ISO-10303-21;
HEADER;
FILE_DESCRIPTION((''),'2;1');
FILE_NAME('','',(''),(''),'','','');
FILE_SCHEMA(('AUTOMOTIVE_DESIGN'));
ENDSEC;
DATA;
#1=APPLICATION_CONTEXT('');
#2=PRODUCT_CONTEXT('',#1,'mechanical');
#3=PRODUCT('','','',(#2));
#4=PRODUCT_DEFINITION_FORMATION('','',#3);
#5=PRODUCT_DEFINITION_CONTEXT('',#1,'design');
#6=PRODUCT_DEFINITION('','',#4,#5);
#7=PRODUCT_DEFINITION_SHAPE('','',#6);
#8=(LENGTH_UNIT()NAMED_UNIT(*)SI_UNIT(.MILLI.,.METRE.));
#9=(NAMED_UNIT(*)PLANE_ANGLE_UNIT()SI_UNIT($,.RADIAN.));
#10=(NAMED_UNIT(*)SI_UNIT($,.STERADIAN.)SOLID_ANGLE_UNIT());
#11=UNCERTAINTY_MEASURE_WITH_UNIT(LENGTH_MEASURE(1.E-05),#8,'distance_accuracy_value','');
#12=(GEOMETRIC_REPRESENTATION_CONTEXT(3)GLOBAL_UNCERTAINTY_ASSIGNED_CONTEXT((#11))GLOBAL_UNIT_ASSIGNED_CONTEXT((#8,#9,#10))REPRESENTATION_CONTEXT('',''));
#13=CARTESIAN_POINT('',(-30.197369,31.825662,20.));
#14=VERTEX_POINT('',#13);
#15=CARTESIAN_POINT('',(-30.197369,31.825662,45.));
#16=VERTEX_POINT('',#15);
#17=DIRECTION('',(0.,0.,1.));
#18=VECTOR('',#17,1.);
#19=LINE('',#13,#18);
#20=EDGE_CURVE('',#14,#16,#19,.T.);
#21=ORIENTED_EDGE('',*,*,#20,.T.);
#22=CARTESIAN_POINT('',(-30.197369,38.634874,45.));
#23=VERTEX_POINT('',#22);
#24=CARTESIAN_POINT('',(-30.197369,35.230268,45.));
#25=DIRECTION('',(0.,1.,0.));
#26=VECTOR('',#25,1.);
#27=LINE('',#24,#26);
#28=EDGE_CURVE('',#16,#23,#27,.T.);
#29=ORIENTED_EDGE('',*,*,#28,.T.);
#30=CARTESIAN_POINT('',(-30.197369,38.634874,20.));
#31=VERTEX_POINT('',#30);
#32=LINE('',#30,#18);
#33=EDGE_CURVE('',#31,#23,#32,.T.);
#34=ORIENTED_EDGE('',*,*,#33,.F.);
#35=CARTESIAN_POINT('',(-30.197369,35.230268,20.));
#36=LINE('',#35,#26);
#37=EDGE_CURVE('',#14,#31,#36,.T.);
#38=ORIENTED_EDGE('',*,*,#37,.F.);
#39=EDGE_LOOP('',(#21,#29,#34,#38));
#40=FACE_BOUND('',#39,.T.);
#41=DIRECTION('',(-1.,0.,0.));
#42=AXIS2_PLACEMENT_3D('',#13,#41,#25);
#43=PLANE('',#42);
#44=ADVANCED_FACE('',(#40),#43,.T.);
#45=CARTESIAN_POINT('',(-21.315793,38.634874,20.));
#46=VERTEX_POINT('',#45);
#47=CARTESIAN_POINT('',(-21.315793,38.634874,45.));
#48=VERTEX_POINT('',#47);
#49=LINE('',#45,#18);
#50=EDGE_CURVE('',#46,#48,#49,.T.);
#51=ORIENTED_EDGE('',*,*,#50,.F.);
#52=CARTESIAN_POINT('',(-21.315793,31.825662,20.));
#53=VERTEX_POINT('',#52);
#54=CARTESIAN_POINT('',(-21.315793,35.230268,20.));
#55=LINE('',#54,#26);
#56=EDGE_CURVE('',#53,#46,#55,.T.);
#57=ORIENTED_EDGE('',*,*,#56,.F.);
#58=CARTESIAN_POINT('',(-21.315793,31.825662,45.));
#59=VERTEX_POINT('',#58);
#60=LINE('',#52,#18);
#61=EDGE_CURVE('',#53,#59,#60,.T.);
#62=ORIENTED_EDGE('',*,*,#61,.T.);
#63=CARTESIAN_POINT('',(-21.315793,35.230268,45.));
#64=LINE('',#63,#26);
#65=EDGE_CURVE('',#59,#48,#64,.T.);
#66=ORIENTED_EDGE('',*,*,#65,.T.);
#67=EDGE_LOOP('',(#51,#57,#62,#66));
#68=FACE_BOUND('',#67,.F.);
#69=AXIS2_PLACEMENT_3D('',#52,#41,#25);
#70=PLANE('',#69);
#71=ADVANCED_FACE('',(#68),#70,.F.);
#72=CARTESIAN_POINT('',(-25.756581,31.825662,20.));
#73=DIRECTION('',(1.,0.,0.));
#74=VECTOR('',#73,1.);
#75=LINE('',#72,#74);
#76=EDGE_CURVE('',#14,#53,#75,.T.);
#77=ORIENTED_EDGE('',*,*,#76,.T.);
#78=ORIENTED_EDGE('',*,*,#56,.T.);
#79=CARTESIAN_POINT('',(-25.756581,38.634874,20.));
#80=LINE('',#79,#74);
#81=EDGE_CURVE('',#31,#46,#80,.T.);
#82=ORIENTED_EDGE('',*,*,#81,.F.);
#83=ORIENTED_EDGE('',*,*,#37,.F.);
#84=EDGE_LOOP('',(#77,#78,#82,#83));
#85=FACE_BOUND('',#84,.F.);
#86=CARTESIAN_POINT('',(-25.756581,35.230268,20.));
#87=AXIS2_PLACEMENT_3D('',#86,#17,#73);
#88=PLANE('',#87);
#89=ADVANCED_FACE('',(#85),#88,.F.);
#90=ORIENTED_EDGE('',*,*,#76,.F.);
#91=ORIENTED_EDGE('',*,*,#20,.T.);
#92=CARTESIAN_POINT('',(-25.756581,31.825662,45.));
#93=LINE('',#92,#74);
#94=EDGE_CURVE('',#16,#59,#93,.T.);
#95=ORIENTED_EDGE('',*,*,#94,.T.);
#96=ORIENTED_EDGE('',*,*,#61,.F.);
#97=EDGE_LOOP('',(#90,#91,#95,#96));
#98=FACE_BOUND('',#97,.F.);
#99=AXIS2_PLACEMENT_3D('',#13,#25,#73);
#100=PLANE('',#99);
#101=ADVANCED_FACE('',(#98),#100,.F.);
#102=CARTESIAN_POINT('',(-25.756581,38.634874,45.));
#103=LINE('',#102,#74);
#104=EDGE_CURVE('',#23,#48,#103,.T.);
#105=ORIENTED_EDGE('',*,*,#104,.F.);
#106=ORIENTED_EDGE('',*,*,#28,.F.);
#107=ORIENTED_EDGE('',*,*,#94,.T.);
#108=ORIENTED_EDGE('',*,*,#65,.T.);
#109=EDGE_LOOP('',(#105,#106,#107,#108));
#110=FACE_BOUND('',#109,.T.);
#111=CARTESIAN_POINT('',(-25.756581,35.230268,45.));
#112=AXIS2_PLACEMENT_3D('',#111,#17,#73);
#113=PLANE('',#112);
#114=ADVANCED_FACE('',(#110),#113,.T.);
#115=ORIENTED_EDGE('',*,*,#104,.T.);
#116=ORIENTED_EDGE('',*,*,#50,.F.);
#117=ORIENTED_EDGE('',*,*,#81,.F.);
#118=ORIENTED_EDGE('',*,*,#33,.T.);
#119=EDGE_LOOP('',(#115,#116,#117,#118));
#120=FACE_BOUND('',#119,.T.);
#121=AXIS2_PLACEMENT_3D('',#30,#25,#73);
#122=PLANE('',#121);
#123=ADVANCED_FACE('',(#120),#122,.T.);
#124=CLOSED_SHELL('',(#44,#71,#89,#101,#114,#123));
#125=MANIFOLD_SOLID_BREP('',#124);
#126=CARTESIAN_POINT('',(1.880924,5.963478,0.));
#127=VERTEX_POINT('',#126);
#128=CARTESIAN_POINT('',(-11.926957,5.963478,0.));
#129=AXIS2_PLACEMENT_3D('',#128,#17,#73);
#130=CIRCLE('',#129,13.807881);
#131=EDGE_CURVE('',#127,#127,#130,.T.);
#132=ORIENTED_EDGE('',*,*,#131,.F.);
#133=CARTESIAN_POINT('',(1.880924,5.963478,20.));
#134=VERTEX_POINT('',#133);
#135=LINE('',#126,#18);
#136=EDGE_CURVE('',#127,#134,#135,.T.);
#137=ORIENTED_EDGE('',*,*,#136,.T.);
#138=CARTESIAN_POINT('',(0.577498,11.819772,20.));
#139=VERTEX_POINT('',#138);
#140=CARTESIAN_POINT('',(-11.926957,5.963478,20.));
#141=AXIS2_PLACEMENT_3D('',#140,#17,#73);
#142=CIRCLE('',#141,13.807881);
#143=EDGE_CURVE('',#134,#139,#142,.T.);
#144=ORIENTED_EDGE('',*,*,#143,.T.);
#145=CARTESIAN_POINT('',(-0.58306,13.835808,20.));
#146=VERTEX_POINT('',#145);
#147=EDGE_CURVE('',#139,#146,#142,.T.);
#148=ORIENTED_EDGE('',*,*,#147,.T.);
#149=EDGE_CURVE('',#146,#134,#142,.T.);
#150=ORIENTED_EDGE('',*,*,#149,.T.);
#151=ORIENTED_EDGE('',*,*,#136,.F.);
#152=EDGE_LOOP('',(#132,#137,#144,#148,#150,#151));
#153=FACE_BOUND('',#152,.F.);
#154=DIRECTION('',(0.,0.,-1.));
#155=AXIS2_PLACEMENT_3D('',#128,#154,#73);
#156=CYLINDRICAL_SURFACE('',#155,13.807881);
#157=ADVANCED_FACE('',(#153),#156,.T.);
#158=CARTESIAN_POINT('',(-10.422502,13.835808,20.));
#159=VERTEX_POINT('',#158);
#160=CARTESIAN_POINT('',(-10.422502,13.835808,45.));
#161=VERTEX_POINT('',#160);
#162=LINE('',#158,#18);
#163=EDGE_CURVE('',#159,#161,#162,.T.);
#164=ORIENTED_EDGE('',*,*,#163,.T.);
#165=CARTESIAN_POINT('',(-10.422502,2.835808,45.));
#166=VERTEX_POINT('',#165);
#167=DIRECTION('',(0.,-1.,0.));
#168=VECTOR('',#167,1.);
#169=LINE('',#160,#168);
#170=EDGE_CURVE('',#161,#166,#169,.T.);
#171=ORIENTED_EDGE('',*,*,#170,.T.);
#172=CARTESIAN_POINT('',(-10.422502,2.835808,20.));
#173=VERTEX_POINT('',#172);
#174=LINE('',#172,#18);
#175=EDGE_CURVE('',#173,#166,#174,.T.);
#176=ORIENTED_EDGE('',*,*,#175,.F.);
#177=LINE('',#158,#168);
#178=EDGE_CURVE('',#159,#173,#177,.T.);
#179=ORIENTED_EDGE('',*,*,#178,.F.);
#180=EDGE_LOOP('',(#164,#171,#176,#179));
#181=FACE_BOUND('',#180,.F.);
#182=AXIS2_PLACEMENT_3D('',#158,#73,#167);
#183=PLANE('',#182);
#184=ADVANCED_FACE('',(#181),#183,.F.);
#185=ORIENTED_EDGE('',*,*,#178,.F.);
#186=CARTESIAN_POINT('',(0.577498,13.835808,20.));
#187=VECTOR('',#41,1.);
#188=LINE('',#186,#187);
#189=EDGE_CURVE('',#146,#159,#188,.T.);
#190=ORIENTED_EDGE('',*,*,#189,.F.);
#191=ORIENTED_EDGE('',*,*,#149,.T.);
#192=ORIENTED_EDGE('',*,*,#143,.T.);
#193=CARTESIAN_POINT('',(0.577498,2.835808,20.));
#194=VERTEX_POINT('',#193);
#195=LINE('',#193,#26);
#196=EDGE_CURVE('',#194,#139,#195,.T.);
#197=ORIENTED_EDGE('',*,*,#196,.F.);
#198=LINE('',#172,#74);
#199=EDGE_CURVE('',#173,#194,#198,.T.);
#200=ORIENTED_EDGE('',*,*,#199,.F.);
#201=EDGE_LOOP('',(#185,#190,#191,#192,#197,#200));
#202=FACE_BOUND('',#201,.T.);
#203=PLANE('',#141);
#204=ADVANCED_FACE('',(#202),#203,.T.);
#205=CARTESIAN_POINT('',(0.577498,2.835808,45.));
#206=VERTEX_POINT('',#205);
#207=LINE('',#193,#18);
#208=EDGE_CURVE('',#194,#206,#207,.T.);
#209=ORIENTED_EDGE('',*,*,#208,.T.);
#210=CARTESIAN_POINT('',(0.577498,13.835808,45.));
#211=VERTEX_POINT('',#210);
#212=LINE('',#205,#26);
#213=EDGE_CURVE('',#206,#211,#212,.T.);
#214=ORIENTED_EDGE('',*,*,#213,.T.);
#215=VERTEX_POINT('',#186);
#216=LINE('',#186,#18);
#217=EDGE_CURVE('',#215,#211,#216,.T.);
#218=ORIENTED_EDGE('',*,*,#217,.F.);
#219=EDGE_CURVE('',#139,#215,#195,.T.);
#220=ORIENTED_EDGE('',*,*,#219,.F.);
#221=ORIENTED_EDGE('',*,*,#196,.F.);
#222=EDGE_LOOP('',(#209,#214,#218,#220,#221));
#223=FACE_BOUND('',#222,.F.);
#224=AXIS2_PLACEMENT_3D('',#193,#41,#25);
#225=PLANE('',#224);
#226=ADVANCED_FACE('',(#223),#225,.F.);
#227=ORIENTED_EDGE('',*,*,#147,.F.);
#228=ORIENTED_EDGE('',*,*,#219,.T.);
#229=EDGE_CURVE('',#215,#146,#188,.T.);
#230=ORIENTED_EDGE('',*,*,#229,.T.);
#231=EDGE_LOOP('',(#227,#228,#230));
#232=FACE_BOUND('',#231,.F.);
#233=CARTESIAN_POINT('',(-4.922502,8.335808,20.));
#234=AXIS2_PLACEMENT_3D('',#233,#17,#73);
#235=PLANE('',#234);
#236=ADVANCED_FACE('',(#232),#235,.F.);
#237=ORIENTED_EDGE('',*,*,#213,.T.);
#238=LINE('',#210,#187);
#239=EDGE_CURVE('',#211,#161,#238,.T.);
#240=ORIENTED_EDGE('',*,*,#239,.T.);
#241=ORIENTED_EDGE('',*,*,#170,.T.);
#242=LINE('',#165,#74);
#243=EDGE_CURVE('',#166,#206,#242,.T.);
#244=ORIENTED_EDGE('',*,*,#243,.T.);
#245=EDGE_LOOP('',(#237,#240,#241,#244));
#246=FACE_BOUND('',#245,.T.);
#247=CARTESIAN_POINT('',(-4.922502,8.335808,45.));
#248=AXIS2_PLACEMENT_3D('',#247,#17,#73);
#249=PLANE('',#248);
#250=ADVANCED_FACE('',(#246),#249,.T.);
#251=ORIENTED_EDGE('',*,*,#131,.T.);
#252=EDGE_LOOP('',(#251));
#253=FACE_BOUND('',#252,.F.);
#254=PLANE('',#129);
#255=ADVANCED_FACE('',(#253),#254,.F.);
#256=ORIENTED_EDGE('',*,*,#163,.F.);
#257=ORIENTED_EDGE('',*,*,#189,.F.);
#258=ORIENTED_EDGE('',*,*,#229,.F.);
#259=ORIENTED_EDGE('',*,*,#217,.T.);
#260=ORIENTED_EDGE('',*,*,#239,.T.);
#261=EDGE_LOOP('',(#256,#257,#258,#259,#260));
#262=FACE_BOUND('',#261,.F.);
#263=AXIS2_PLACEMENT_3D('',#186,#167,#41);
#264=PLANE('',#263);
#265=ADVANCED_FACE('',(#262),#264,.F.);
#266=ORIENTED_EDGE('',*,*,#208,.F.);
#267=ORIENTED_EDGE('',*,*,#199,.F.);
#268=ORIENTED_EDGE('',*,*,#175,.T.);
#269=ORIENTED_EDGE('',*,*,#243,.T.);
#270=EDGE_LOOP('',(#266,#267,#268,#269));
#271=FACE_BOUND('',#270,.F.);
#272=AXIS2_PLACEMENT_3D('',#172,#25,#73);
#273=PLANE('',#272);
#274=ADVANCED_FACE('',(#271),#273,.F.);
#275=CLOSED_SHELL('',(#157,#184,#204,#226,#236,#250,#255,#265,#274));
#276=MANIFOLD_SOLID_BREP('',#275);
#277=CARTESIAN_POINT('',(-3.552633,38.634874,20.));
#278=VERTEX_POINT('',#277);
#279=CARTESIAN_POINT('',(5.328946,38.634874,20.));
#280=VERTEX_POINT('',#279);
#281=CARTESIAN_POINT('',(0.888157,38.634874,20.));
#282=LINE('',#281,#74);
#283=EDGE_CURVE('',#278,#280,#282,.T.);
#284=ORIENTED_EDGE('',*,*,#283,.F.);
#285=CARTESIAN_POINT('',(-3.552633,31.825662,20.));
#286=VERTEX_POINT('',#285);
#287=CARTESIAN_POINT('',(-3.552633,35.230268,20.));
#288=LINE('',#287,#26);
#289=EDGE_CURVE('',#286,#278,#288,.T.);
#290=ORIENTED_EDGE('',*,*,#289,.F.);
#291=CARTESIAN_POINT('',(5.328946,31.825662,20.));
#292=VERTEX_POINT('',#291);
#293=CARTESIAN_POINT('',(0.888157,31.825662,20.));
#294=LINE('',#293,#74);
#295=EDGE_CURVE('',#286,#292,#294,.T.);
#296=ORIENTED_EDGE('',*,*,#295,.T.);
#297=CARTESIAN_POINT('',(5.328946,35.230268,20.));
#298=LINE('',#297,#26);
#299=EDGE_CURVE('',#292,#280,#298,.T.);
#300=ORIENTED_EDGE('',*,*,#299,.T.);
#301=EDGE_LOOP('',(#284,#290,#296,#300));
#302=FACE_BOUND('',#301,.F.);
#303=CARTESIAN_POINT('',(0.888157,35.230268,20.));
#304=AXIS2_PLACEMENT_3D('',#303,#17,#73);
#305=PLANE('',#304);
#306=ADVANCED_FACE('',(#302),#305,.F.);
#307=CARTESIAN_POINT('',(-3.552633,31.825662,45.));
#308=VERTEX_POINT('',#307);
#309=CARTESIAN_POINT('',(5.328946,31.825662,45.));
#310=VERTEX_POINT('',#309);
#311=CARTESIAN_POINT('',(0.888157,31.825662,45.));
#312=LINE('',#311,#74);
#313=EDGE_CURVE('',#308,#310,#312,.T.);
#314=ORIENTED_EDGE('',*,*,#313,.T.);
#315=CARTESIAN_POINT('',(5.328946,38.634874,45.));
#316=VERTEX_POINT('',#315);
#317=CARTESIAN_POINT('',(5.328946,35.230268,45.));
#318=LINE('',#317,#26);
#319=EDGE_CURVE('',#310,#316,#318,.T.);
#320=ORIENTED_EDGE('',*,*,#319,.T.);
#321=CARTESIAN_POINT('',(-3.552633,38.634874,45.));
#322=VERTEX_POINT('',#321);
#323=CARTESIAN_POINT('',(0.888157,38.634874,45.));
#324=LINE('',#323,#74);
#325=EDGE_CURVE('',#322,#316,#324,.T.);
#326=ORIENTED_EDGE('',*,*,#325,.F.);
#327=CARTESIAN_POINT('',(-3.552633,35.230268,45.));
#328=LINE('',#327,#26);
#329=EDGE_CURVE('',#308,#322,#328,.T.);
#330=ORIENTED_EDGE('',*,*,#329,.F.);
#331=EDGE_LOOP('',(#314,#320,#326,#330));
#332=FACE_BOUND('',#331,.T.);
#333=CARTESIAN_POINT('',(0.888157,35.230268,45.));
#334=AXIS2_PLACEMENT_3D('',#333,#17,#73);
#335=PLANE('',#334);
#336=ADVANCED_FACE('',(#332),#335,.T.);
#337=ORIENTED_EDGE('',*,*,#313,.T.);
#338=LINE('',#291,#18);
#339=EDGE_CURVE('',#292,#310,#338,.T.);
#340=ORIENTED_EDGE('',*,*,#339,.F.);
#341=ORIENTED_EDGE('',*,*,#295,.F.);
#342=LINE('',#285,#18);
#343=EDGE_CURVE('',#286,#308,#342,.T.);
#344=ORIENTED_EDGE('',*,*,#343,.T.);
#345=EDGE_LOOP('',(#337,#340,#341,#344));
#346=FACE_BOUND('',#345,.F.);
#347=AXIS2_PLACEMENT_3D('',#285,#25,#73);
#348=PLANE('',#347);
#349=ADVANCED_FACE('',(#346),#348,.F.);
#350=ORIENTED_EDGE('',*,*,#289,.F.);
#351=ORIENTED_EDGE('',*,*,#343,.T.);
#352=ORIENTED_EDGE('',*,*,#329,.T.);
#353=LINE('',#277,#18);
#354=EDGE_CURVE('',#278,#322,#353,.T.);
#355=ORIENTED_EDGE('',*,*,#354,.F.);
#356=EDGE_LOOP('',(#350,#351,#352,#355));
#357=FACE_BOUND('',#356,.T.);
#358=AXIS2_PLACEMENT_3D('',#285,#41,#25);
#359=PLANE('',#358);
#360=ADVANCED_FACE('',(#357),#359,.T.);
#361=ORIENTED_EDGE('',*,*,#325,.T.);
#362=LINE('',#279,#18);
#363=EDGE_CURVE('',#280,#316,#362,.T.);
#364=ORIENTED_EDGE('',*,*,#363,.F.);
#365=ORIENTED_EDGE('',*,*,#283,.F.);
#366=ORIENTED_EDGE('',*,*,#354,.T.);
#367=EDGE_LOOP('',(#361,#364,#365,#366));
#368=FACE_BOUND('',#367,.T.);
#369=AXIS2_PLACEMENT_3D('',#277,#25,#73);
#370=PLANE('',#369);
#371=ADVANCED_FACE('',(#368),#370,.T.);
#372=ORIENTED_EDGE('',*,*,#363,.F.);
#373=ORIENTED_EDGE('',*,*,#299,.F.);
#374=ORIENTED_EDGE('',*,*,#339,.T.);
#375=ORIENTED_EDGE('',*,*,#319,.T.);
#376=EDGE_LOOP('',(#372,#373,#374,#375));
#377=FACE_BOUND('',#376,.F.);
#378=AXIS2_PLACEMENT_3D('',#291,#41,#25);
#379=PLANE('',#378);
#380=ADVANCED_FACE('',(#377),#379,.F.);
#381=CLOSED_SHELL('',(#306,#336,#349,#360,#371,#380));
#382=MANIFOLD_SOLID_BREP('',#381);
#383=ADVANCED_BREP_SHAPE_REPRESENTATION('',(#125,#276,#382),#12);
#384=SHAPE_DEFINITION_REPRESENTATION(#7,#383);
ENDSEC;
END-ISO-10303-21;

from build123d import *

# Parameters (mm, degrees)
F0_R     = 13.807881
F1_DEPTH = 20
F2_W     = 8.881576
F2_H     = 6.809212
F2_W_2   = 8.881579
F3_DEPTH = 25
F5_DEPTH = 25


with BuildPart() as f1:
    # F0 (on Top) → F1 (new body)
    with BuildSketch(Plane.XY):
        with Locations((-11.926957, 5.963478)):
            Circle(F0_R)
    extrude(amount=F1_DEPTH)

    # F4 (on face) → F5 (join)
    with BuildSketch(Plane.XY.offset(20)):
        Polygon((0.577498, 13.835808), (-10.422502, 13.835808), (-10.422502, 2.835808), (-4.922502, 2.835808), (0.577498, 2.835808), align=None)
    extrude(amount=F5_DEPTH)


with BuildPart() as f3:
    # F2 (on face) → F3 (new body)
    with BuildSketch(Plane.XY.offset(20)):
        with Locations((-25.756581, 35.230268)):
            Rectangle(F2_W, F2_H)
        with Locations((0.888157, 35.230268)):
            Rectangle(F2_W_2, F2_H)
    extrude(amount=F3_DEPTH)


solid = Compound([f1.part, f3.part])
